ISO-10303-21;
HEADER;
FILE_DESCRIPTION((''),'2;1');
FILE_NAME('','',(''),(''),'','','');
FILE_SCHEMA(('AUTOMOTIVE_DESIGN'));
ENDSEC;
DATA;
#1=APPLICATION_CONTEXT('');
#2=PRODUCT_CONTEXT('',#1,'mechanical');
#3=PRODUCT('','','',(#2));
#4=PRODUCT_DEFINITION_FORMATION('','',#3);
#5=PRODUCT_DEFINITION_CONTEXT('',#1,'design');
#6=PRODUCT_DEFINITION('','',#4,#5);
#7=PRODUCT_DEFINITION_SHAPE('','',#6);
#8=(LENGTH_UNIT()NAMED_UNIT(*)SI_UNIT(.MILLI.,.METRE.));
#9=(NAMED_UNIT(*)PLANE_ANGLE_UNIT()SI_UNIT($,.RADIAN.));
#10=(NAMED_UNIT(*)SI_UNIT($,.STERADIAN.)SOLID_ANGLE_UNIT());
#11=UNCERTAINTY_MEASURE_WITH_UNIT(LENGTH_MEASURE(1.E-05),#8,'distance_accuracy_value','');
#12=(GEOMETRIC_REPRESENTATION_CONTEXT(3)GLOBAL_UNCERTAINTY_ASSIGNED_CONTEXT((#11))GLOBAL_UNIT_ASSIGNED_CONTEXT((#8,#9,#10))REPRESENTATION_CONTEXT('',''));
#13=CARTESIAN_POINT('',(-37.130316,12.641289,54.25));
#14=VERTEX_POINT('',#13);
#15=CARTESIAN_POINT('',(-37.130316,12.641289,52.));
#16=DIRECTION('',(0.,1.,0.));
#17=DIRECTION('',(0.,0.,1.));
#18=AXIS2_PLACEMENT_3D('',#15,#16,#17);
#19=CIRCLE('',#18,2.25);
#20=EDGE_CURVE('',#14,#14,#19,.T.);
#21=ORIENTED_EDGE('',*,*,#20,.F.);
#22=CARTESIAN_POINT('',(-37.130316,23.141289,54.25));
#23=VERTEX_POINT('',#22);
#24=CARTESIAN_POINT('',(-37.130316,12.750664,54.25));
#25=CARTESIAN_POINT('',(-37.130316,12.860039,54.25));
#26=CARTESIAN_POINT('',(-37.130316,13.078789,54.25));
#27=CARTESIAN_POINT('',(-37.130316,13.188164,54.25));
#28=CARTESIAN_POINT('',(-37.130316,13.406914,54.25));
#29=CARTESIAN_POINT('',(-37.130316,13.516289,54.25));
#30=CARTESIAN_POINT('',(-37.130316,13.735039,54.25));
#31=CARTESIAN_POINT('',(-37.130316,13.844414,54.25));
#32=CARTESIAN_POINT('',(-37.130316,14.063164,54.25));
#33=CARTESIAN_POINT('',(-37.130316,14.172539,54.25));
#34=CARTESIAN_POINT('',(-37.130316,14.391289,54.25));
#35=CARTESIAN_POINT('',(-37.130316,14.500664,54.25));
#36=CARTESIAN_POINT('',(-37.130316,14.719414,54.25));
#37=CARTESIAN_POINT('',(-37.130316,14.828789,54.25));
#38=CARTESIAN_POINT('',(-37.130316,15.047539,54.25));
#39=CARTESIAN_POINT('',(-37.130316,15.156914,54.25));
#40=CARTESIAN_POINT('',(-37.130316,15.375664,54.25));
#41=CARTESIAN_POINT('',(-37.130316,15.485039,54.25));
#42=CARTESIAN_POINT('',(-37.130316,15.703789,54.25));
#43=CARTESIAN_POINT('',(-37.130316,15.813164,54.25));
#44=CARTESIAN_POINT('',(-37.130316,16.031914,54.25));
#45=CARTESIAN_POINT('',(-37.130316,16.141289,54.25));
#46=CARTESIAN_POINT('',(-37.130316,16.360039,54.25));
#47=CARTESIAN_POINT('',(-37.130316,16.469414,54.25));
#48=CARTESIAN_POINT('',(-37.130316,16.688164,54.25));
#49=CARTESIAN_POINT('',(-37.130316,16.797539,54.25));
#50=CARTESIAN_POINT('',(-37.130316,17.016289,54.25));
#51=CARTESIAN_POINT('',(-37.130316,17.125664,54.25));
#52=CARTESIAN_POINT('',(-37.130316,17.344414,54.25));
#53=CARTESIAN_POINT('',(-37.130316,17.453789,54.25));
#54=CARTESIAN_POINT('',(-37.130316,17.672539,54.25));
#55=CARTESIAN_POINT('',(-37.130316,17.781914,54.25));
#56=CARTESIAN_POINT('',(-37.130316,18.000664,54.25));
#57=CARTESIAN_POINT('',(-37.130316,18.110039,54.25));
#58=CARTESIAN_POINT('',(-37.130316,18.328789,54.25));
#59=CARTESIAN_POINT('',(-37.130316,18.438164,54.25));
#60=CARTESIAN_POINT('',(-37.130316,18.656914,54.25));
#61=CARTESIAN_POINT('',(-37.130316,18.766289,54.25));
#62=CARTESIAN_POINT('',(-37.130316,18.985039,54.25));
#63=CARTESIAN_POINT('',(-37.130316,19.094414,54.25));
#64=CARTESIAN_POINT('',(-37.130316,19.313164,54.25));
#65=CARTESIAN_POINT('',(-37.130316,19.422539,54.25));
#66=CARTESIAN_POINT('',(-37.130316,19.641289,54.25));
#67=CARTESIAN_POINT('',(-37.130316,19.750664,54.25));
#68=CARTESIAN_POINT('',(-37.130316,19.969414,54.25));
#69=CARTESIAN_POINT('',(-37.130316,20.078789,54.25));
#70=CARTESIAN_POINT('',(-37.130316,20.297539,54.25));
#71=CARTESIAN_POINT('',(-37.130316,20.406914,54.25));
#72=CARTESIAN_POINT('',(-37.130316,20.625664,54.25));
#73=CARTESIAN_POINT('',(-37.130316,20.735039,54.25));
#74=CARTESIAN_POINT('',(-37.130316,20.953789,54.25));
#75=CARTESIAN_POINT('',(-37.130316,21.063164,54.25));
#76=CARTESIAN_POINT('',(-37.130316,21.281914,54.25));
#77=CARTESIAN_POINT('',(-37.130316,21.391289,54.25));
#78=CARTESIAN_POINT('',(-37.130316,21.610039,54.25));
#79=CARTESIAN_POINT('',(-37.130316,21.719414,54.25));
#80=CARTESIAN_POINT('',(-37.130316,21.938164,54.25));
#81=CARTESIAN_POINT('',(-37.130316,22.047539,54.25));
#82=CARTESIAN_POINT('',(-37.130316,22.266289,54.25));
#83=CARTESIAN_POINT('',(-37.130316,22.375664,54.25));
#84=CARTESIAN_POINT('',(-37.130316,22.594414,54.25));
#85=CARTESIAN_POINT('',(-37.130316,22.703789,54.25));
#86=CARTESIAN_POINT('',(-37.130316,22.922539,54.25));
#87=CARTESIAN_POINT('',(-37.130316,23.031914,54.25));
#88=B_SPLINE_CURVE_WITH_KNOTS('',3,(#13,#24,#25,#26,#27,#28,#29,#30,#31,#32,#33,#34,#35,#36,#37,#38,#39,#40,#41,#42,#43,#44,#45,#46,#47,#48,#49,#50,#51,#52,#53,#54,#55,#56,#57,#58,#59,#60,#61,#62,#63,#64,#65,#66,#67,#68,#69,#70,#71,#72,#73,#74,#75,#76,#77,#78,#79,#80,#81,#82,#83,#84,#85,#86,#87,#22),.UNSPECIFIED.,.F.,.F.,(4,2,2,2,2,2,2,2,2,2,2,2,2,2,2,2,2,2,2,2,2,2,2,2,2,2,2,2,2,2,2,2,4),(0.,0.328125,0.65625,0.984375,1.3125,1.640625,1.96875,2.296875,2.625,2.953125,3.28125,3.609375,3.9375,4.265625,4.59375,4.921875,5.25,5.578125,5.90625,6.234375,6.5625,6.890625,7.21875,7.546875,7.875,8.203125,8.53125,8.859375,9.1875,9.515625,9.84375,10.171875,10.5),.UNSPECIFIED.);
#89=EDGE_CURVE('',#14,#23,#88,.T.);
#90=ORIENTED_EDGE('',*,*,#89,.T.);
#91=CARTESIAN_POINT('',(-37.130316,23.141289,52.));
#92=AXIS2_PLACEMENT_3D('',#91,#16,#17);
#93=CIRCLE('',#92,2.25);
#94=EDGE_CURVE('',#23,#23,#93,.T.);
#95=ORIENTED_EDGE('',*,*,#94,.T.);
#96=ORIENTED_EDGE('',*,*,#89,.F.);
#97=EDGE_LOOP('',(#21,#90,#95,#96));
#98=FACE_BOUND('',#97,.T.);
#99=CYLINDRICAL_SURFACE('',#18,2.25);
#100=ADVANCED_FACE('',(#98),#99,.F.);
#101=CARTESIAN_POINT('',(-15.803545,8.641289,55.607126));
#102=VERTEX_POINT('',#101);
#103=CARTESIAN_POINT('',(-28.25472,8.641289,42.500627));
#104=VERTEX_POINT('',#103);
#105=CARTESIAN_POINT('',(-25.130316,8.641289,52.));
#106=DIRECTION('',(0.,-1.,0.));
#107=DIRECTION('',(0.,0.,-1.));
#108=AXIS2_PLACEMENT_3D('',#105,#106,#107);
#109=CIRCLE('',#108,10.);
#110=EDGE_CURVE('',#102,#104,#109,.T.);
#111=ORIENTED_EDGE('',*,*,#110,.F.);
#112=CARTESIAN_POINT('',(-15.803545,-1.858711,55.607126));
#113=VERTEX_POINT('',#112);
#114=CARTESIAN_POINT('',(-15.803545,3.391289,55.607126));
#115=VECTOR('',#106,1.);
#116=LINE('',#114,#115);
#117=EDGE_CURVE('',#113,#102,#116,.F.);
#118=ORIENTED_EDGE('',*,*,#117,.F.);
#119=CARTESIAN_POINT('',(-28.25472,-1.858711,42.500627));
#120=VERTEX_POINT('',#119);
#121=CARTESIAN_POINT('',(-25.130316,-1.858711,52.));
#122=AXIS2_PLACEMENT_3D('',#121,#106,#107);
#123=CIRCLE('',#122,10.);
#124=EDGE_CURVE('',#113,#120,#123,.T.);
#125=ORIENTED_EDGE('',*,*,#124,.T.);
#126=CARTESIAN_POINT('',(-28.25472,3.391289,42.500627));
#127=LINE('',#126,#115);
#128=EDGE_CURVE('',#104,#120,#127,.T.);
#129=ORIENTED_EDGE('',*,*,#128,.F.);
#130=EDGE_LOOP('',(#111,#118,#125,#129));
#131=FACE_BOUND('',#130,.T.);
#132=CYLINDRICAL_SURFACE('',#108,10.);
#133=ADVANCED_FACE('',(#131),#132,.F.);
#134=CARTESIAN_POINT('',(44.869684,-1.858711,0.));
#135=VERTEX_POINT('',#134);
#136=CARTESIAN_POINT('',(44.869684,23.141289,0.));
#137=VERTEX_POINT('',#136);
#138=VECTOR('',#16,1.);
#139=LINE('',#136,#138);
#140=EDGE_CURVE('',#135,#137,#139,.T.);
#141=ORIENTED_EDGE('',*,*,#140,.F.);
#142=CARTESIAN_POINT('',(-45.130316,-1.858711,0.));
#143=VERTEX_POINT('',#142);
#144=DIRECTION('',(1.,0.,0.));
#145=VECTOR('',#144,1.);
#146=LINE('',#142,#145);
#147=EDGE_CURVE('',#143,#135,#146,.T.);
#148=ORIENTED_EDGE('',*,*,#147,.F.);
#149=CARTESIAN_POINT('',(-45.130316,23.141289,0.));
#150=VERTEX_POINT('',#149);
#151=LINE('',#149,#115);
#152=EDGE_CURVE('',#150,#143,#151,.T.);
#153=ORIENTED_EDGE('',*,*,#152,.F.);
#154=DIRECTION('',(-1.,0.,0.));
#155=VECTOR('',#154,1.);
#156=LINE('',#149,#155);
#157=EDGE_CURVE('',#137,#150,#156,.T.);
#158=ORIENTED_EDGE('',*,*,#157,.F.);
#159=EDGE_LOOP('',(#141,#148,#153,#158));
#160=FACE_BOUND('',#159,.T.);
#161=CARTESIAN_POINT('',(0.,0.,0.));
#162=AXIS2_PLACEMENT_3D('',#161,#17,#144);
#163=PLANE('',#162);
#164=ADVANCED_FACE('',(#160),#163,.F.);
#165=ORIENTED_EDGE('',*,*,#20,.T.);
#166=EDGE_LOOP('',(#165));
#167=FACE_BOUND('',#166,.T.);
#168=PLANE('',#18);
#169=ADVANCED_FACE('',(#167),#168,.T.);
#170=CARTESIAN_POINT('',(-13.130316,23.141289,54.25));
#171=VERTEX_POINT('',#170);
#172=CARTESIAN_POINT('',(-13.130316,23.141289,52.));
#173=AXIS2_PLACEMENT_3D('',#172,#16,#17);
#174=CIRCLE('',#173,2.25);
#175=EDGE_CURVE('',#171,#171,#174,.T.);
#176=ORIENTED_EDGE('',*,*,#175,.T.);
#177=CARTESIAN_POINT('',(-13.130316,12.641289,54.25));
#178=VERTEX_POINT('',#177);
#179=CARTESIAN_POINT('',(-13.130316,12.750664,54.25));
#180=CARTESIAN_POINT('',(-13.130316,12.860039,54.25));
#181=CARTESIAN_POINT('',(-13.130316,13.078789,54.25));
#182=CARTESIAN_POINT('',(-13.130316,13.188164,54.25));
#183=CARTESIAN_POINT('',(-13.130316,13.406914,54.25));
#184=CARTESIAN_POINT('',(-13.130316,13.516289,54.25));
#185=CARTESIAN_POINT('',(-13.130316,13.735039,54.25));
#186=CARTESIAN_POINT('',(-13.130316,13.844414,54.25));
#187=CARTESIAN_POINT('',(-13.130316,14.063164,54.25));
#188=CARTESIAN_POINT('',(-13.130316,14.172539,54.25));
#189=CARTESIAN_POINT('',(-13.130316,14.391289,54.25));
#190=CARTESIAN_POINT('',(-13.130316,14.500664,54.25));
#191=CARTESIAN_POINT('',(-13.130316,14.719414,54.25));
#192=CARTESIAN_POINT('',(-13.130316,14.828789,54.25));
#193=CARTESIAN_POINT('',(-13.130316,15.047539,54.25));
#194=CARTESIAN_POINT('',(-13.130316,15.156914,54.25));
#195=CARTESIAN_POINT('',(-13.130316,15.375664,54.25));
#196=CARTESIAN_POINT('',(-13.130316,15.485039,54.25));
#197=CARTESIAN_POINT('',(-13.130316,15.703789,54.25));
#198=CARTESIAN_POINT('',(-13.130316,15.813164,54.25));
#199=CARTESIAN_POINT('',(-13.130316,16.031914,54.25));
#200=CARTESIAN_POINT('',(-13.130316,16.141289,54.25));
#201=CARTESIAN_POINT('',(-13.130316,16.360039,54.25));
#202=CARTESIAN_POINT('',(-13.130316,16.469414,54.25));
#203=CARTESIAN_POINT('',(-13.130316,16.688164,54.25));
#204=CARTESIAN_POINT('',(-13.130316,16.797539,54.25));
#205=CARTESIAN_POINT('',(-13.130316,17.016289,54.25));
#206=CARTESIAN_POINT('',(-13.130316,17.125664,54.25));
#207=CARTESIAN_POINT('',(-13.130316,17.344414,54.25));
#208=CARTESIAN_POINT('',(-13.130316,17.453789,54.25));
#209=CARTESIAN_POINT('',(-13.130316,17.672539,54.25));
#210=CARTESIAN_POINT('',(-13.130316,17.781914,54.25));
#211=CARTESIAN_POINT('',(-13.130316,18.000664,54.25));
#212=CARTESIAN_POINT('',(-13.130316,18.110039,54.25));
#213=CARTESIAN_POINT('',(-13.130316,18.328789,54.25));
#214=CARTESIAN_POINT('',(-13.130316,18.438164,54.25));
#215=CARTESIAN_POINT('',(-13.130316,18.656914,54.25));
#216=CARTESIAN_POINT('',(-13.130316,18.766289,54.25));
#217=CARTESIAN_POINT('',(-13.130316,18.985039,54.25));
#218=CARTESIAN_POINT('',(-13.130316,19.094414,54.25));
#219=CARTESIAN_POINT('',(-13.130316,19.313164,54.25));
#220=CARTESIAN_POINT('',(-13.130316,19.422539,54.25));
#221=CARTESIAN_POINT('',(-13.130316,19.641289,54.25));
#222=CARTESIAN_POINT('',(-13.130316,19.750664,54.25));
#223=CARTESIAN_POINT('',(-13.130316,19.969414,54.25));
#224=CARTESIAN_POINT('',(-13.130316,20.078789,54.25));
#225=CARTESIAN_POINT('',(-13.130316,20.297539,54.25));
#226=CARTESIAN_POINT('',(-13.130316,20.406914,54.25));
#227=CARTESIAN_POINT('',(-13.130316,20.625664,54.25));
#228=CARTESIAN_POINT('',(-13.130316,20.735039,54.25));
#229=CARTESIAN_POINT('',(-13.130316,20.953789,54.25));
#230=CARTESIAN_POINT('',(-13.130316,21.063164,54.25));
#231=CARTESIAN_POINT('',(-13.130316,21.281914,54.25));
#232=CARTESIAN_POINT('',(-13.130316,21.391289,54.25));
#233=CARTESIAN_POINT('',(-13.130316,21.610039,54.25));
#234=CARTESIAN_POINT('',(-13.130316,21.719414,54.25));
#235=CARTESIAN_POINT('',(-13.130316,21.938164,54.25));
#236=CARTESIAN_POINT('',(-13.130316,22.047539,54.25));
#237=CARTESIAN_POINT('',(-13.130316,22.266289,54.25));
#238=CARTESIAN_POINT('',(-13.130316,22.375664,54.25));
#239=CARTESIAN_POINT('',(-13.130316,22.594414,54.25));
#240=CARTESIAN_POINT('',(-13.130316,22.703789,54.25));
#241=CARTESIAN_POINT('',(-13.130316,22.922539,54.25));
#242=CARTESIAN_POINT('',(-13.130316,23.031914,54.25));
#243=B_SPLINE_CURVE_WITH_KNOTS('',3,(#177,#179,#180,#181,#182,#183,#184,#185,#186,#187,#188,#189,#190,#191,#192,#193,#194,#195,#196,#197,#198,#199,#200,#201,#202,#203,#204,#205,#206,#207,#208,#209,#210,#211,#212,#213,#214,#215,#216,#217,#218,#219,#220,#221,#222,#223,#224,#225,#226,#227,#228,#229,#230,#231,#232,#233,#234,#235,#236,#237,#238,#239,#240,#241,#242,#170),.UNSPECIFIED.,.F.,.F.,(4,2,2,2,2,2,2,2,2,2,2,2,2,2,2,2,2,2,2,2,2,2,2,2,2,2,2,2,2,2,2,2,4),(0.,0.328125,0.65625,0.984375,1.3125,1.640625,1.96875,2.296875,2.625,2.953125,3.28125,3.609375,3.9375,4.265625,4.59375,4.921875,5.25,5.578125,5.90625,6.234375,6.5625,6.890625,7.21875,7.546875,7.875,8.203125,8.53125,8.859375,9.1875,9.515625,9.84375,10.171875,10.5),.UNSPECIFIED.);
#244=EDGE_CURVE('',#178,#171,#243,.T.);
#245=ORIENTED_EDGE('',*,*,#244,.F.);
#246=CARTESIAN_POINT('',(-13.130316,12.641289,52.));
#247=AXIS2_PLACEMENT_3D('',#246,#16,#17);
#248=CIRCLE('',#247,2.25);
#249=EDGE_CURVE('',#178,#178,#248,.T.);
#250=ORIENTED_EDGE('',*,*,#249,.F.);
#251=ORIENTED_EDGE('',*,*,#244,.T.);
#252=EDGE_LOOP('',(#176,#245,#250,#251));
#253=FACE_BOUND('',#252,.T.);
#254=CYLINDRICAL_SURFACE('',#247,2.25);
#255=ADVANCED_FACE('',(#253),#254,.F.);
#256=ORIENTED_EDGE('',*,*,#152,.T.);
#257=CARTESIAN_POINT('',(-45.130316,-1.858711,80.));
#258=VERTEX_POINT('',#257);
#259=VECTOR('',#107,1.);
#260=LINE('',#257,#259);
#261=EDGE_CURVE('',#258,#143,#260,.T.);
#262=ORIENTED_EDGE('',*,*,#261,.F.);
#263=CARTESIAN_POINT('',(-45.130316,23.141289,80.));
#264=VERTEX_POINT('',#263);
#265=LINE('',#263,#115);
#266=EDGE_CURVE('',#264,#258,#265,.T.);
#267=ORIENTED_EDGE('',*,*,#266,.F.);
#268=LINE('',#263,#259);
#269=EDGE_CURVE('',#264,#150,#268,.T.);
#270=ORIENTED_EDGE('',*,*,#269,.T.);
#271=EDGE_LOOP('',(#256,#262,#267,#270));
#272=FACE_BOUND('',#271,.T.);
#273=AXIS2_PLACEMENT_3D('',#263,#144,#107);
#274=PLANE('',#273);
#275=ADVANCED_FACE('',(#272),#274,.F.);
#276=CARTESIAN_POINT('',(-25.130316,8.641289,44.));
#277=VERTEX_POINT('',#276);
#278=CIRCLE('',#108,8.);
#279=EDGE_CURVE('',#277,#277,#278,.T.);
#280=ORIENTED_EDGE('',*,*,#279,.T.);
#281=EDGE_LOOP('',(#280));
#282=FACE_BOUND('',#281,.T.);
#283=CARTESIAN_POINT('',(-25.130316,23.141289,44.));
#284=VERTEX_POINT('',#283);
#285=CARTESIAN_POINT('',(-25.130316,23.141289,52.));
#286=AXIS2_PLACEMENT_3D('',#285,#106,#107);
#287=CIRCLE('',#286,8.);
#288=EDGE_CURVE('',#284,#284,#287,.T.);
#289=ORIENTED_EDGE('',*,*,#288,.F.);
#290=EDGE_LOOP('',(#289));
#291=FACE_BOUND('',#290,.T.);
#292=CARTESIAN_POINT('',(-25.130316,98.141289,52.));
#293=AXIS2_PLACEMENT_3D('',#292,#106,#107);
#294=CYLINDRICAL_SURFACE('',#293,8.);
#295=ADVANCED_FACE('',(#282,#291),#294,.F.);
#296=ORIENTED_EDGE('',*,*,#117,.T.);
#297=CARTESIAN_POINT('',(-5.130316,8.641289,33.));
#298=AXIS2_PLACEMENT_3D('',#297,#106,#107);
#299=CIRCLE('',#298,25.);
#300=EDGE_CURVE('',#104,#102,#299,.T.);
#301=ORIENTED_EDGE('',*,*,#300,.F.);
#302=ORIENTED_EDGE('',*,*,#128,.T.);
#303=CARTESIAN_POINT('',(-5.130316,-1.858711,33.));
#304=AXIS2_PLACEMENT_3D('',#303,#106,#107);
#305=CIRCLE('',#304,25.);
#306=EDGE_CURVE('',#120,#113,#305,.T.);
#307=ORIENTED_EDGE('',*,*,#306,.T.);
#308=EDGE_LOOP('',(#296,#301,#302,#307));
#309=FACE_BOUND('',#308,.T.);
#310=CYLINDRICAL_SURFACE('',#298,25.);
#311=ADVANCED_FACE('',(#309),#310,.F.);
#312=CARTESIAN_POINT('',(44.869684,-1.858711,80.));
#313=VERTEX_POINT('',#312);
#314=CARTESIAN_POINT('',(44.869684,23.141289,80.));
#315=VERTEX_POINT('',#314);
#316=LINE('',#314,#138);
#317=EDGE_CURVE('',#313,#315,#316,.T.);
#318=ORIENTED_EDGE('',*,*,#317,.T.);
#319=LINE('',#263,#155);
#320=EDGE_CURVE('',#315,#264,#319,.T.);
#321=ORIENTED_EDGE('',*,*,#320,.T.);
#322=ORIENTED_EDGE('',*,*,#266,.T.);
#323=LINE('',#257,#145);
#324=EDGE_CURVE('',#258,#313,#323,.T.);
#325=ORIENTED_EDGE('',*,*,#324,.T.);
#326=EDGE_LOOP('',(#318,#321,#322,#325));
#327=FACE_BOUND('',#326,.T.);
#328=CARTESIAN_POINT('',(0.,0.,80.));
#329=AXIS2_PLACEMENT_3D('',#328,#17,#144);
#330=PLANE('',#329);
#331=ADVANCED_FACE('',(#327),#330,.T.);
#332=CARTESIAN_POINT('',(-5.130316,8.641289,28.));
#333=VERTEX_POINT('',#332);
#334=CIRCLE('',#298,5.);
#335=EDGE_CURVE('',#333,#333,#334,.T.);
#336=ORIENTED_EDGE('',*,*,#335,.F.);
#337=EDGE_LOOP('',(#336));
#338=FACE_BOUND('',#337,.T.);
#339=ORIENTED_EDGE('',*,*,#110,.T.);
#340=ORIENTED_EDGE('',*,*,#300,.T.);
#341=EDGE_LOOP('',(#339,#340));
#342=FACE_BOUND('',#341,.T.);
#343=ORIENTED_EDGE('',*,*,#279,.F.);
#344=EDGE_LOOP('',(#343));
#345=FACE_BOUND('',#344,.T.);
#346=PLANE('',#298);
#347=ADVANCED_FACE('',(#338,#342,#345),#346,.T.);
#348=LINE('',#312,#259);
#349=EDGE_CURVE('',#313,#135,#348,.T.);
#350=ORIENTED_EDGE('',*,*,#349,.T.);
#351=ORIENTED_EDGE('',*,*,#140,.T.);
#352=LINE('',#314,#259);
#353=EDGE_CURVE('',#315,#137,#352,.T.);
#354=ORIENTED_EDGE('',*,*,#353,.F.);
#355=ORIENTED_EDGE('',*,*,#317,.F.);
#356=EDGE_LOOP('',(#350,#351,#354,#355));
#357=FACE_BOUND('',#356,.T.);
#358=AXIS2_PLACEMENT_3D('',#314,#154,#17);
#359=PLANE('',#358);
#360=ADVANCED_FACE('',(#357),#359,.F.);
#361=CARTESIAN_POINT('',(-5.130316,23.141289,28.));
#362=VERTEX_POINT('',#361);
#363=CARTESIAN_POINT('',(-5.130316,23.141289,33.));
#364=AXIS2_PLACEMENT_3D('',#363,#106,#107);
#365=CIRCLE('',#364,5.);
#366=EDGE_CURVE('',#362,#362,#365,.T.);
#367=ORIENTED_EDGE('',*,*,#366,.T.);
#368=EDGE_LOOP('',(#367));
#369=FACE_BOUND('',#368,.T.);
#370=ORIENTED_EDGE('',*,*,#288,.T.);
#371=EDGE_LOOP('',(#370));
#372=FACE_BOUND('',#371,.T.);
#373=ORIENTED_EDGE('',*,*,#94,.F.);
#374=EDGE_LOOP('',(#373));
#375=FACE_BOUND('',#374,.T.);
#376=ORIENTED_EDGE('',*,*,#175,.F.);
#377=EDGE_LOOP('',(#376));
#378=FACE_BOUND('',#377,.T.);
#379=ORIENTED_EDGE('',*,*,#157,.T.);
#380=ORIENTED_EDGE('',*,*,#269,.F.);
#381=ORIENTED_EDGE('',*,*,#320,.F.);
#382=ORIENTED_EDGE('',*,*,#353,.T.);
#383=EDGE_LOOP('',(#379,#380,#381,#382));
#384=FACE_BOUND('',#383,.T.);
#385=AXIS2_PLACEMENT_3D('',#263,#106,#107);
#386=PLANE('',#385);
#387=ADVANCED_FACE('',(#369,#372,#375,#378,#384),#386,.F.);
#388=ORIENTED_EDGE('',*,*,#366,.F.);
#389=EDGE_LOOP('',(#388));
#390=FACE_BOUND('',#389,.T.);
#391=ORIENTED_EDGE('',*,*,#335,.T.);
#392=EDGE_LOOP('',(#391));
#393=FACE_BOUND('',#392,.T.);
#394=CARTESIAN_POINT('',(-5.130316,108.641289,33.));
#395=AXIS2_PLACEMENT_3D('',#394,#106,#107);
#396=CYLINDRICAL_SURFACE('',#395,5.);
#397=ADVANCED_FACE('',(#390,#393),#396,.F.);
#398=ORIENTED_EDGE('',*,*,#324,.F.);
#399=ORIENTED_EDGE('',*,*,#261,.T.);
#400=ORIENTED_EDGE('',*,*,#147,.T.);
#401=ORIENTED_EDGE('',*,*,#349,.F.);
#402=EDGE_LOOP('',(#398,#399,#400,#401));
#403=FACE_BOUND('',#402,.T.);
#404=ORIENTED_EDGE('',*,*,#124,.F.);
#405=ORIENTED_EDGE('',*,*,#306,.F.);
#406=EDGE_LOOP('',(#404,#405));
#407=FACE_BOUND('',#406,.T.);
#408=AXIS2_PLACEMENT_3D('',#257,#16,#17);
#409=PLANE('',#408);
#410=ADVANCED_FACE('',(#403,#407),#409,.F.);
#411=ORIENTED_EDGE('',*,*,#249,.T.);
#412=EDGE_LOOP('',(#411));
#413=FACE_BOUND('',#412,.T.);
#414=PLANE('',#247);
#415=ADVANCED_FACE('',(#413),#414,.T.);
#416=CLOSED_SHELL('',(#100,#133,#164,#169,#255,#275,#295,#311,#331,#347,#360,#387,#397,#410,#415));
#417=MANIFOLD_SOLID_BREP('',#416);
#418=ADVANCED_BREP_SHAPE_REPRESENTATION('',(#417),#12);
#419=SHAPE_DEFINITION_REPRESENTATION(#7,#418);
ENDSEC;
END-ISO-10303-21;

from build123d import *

# Parameters (mm, degrees)
SKETCH1_W              = 90
SKETCH1_H              = 25
BOSS_EXTRUDE1_DEPTH    = 80
SKETCH_1_R             = 25
CUT_EXTRUDE_1_DEPTH    = 10.5
SKETCH_2_R             = 5
CUT_EXTRUDE_2_DEPTH    = 100
SKETCH_3_R             = 8
CUT_EXTRUDE_3_DEPTH    = 100
SKETCH_4_R             = 10
CUT_EXTRUDE_4_DEPTH    = 10.5
SKETCH_5_R             = 2.25
CUT_EXTRUDE_5_DEPTH    = 10.5
PATTERN_LINEAR_1_COUNT = 2
PATTERN_LINEAR_1_PITCH = 24


with BuildPart() as part:
    # Sketch1 → Boss-Extrude1 (new body)
    with BuildSketch(Plane.XY):
        with Locations((-0.130315501, 10.641289438)):
            Rectangle(SKETCH1_W, SKETCH1_H)
    extrude(amount=BOSS_EXTRUDE1_DEPTH)

    # Эскиз1 → Вырез-Вытянуть1 (cut)
    with BuildSketch(Plane.XZ.offset(1.858710562)):
        with Locations(Location((-5.130315501, 33, 0), (0, 0, 270))):
            Circle(SKETCH_1_R)
    extrude(amount=-CUT_EXTRUDE_1_DEPTH, mode=Mode.SUBTRACT)

    # Эскиз2 → Вырез-Вытянуть2 (cut)
    with BuildSketch(Plane.XZ.offset(-8.641289438)):
        with Locations(Location((-5.130315501, 33, 0), (0, 0, 270))):
            Circle(SKETCH_2_R)
    extrude(amount=-CUT_EXTRUDE_2_DEPTH, mode=Mode.SUBTRACT)

    # Эскиз3 → Вырез-Вытянуть3 (cut)
    with BuildSketch(Plane.XZ.offset(1.858710562)):
        with Locations(Location((-25.130315501, 52, 0), (0, 0, 270))):
            Circle(SKETCH_3_R)
    extrude(amount=-CUT_EXTRUDE_3_DEPTH, mode=Mode.SUBTRACT)

    # Эскиз4 → Вырез-Вытянуть4 (cut)
    with BuildSketch(Plane.XZ.offset(1.858710562)):
        with Locations((-25.130315501, 52)):
            Circle(SKETCH_4_R)
    extrude(amount=-CUT_EXTRUDE_4_DEPTH, mode=Mode.SUBTRACT)

    # Эскиз5 → Вырез-Вытянуть5 (cut)
    with BuildSketch(Plane(origin=(0, 23.141289438, 0), x_dir=(1, 0, 0), z_dir=(0, 1, 0))):
        with Locations(Location((-37.130315501, -52, 0), (0, 0, 270))):
            Circle(SKETCH_5_R)
    cut_extrude_5 = extrude(amount=-CUT_EXTRUDE_5_DEPTH, mode=Mode.SUBTRACT)

    # Линейный массив1: Вырез-Вытянуть5 ×2
    with Locations(*[(i * PATTERN_LINEAR_1_PITCH, 0, 0) for i in range(1, PATTERN_LINEAR_1_COUNT)]):
        add(cut_extrude_5, mode=Mode.SUBTRACT)


solid = part.part
